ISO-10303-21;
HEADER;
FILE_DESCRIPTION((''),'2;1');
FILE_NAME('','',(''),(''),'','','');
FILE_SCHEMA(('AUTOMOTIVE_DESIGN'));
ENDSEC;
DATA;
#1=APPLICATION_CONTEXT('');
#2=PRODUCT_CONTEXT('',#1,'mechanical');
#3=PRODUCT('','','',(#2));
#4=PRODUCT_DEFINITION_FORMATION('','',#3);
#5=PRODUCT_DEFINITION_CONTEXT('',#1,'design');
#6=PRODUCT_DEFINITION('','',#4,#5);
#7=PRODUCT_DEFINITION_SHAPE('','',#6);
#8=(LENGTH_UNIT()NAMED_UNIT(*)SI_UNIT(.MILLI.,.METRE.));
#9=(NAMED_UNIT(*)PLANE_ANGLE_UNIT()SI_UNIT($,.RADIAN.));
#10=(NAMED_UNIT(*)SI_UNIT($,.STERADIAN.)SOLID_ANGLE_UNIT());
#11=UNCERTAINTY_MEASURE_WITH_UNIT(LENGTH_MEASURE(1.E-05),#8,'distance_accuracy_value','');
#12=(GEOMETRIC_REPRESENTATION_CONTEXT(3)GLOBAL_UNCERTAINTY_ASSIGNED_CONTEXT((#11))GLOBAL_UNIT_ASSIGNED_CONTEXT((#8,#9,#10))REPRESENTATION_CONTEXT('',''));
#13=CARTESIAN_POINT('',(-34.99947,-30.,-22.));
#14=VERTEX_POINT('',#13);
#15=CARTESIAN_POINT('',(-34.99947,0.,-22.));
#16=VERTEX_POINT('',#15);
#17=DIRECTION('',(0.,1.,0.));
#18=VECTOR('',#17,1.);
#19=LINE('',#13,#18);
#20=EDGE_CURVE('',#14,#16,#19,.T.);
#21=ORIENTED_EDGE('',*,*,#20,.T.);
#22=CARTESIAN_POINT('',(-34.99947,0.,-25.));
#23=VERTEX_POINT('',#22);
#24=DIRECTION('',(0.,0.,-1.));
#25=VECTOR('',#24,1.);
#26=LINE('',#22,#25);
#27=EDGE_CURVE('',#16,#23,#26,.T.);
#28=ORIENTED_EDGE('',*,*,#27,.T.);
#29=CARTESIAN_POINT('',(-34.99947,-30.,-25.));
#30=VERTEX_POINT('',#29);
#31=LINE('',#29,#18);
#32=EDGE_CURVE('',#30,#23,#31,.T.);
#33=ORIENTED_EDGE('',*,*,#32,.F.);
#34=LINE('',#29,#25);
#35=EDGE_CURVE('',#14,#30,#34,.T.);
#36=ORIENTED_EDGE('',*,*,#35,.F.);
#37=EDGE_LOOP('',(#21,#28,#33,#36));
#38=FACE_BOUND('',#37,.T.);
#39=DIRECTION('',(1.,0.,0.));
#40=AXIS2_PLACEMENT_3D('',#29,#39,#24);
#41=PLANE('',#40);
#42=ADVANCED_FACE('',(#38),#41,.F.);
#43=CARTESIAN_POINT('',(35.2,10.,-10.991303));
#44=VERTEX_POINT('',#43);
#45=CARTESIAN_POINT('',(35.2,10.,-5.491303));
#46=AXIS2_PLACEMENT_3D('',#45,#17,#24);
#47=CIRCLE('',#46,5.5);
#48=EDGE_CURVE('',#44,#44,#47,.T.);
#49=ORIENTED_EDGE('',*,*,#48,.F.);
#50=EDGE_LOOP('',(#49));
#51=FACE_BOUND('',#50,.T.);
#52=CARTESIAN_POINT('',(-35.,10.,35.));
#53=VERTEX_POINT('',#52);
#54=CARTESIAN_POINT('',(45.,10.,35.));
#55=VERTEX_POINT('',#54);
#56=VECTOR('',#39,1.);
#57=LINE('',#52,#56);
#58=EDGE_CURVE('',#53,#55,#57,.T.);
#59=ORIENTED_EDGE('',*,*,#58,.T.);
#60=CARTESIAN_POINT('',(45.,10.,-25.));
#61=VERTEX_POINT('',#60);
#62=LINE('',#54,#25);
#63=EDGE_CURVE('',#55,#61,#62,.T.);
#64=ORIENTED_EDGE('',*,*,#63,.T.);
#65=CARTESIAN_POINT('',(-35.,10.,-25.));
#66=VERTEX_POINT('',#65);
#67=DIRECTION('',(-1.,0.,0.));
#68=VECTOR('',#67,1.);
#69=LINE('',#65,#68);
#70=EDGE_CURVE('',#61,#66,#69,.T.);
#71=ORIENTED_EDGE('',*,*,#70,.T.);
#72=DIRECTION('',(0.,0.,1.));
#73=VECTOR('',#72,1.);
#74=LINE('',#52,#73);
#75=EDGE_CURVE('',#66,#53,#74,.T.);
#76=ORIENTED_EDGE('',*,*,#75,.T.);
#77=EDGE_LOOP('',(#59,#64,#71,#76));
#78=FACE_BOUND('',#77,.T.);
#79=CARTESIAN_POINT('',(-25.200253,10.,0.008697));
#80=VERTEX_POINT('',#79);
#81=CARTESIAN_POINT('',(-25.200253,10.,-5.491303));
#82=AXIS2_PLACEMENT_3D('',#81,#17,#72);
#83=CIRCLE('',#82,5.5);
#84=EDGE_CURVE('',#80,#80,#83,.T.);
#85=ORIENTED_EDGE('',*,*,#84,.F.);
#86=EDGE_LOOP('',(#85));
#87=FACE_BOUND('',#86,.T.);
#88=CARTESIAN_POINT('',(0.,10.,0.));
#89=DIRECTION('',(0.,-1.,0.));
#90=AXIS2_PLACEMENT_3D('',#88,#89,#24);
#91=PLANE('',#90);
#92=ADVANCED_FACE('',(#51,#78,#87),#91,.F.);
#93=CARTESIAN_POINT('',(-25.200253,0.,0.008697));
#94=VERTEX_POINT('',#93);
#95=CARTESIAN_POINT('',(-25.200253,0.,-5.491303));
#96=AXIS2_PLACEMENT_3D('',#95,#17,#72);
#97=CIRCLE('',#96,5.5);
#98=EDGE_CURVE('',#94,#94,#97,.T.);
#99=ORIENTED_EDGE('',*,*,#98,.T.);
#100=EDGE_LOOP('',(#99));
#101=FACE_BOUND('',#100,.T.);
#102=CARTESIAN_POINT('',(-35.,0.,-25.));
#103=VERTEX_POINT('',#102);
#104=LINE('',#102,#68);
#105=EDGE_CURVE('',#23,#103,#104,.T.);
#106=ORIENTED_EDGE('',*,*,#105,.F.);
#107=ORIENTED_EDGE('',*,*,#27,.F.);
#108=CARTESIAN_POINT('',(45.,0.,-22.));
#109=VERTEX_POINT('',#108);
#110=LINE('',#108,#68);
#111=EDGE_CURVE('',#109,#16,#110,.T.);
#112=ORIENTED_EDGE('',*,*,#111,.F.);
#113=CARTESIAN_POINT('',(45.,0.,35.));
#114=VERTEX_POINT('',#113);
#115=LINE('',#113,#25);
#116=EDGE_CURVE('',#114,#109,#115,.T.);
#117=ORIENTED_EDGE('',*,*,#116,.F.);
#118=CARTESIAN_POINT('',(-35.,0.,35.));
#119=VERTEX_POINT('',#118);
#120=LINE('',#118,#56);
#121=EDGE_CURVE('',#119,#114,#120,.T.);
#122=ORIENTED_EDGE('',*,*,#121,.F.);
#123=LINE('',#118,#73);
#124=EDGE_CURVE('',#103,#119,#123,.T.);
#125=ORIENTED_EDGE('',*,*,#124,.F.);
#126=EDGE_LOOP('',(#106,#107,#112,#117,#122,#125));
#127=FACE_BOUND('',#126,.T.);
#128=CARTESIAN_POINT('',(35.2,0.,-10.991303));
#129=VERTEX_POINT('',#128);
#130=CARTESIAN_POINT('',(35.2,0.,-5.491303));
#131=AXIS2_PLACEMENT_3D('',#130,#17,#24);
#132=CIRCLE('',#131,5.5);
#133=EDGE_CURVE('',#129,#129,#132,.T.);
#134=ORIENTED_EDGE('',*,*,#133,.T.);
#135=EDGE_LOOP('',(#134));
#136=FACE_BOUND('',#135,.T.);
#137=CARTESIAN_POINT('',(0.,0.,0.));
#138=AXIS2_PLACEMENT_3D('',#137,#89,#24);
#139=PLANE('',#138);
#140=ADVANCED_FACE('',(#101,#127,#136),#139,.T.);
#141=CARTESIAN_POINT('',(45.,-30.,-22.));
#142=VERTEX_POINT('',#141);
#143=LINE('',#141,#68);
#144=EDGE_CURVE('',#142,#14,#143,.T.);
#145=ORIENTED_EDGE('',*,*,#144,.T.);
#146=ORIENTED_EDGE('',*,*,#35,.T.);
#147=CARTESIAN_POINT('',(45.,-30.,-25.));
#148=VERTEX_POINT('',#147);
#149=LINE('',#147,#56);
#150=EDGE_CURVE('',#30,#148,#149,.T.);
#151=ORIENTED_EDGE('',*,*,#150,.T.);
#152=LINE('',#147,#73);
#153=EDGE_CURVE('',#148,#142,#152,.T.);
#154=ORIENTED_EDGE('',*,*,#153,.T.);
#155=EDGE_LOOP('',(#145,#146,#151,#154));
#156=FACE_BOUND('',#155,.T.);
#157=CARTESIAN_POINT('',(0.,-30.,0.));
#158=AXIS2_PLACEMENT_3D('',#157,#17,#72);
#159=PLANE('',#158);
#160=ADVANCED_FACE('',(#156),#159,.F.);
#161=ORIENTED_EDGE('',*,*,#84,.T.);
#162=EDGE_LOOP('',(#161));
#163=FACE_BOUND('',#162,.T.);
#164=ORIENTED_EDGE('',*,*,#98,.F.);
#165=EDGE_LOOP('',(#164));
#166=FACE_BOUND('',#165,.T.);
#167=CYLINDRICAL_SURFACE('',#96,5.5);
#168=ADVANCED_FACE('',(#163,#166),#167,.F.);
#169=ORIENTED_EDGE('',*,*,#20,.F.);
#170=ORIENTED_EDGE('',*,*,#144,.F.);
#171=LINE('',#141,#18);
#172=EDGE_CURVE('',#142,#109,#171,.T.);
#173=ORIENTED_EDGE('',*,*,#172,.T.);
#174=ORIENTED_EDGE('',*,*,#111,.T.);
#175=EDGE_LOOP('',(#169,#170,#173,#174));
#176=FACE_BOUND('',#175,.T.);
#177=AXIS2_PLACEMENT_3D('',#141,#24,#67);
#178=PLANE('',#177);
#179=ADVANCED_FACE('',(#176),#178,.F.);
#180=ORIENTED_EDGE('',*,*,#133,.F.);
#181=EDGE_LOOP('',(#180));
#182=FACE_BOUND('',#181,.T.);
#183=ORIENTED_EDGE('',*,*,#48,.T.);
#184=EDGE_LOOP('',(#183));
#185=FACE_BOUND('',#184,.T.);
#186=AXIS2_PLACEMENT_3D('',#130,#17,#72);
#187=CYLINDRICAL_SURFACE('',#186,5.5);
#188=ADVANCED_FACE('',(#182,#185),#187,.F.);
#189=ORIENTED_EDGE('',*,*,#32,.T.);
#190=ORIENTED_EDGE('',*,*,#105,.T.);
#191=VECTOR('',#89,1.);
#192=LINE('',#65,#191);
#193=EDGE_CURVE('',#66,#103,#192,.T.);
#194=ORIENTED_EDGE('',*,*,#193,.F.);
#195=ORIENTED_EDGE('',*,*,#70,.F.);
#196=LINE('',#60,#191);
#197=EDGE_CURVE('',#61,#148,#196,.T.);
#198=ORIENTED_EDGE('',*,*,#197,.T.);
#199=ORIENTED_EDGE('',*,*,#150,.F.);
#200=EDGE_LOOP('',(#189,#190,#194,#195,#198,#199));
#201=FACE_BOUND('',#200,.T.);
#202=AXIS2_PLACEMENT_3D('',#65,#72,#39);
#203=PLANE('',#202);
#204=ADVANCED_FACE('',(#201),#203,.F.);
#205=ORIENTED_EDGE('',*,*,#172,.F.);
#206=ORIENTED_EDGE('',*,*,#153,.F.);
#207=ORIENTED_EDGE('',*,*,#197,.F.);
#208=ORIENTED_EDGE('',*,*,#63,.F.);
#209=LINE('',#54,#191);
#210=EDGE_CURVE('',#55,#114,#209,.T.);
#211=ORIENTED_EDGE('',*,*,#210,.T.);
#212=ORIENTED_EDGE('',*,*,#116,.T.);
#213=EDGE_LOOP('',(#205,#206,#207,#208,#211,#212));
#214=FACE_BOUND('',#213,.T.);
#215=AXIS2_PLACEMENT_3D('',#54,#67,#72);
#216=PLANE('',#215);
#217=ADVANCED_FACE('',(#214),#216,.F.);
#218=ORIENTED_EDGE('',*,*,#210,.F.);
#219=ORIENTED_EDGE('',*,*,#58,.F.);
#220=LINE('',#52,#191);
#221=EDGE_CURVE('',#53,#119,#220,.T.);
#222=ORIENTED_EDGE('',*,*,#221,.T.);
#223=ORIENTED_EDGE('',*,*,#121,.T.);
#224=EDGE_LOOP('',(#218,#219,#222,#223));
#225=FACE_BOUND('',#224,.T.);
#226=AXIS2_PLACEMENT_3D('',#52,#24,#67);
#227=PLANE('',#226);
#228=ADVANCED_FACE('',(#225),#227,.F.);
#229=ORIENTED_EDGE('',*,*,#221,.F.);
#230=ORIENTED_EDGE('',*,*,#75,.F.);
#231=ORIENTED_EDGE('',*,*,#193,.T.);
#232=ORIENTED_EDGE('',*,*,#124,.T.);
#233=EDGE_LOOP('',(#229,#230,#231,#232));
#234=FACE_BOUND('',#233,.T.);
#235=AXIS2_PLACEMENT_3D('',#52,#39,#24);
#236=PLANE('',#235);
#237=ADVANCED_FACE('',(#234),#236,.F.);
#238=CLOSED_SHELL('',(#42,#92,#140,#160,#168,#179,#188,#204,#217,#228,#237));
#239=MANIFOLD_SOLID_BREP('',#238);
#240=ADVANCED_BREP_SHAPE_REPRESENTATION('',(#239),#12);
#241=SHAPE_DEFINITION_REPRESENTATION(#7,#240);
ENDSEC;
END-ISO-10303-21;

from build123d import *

# Parameters (mm, degrees)
SKETCH1_W           = 80
SKETCH1_H           = 60
BOSS_EXTRUDE1_DEPTH = 10
SKETCH2_R           = 5.5
CUT_EXTRUDE1_DEPTH  = 58.879184514
SKETCH3_W           = 79.999469754
SKETCH3_H           = 3
BOSS_EXTRUDE2_DEPTH = 30


with BuildPart() as part:
    # Sketch1 → Boss-Extrude1 (new body)
    with BuildSketch(Plane(origin=(0, 0, 0), x_dir=(1, 0, 0), z_dir=(0, 1, 0))):
        with Locations((5, -5)):
            Rectangle(SKETCH1_W, SKETCH1_H)
    extrude(amount=BOSS_EXTRUDE1_DEPTH)

    # Sketch2 → Cut-Extrude1 (cut, through all)
    with BuildSketch(Plane(origin=(0, 10, 0), x_dir=(1, 0, 0), z_dir=(0, 1, 0))):
        with Locations(Location((-25.20025306, 5.49130346, 0), (0, 0, 270))):
            Circle(SKETCH2_R)
        with Locations(Location((35.2, 5.49130346, 0), (0, 0, 90))):
            Circle(SKETCH2_R)
    extrude(amount=-CUT_EXTRUDE1_DEPTH, mode=Mode.SUBTRACT)

    # Sketch3 → Boss-Extrude2 (add)
    with BuildSketch(Plane.XZ):
        with Locations((5.000265123, -23.5)):
            Rectangle(SKETCH3_W, SKETCH3_H)
    extrude(amount=BOSS_EXTRUDE2_DEPTH)


solid = part.part
